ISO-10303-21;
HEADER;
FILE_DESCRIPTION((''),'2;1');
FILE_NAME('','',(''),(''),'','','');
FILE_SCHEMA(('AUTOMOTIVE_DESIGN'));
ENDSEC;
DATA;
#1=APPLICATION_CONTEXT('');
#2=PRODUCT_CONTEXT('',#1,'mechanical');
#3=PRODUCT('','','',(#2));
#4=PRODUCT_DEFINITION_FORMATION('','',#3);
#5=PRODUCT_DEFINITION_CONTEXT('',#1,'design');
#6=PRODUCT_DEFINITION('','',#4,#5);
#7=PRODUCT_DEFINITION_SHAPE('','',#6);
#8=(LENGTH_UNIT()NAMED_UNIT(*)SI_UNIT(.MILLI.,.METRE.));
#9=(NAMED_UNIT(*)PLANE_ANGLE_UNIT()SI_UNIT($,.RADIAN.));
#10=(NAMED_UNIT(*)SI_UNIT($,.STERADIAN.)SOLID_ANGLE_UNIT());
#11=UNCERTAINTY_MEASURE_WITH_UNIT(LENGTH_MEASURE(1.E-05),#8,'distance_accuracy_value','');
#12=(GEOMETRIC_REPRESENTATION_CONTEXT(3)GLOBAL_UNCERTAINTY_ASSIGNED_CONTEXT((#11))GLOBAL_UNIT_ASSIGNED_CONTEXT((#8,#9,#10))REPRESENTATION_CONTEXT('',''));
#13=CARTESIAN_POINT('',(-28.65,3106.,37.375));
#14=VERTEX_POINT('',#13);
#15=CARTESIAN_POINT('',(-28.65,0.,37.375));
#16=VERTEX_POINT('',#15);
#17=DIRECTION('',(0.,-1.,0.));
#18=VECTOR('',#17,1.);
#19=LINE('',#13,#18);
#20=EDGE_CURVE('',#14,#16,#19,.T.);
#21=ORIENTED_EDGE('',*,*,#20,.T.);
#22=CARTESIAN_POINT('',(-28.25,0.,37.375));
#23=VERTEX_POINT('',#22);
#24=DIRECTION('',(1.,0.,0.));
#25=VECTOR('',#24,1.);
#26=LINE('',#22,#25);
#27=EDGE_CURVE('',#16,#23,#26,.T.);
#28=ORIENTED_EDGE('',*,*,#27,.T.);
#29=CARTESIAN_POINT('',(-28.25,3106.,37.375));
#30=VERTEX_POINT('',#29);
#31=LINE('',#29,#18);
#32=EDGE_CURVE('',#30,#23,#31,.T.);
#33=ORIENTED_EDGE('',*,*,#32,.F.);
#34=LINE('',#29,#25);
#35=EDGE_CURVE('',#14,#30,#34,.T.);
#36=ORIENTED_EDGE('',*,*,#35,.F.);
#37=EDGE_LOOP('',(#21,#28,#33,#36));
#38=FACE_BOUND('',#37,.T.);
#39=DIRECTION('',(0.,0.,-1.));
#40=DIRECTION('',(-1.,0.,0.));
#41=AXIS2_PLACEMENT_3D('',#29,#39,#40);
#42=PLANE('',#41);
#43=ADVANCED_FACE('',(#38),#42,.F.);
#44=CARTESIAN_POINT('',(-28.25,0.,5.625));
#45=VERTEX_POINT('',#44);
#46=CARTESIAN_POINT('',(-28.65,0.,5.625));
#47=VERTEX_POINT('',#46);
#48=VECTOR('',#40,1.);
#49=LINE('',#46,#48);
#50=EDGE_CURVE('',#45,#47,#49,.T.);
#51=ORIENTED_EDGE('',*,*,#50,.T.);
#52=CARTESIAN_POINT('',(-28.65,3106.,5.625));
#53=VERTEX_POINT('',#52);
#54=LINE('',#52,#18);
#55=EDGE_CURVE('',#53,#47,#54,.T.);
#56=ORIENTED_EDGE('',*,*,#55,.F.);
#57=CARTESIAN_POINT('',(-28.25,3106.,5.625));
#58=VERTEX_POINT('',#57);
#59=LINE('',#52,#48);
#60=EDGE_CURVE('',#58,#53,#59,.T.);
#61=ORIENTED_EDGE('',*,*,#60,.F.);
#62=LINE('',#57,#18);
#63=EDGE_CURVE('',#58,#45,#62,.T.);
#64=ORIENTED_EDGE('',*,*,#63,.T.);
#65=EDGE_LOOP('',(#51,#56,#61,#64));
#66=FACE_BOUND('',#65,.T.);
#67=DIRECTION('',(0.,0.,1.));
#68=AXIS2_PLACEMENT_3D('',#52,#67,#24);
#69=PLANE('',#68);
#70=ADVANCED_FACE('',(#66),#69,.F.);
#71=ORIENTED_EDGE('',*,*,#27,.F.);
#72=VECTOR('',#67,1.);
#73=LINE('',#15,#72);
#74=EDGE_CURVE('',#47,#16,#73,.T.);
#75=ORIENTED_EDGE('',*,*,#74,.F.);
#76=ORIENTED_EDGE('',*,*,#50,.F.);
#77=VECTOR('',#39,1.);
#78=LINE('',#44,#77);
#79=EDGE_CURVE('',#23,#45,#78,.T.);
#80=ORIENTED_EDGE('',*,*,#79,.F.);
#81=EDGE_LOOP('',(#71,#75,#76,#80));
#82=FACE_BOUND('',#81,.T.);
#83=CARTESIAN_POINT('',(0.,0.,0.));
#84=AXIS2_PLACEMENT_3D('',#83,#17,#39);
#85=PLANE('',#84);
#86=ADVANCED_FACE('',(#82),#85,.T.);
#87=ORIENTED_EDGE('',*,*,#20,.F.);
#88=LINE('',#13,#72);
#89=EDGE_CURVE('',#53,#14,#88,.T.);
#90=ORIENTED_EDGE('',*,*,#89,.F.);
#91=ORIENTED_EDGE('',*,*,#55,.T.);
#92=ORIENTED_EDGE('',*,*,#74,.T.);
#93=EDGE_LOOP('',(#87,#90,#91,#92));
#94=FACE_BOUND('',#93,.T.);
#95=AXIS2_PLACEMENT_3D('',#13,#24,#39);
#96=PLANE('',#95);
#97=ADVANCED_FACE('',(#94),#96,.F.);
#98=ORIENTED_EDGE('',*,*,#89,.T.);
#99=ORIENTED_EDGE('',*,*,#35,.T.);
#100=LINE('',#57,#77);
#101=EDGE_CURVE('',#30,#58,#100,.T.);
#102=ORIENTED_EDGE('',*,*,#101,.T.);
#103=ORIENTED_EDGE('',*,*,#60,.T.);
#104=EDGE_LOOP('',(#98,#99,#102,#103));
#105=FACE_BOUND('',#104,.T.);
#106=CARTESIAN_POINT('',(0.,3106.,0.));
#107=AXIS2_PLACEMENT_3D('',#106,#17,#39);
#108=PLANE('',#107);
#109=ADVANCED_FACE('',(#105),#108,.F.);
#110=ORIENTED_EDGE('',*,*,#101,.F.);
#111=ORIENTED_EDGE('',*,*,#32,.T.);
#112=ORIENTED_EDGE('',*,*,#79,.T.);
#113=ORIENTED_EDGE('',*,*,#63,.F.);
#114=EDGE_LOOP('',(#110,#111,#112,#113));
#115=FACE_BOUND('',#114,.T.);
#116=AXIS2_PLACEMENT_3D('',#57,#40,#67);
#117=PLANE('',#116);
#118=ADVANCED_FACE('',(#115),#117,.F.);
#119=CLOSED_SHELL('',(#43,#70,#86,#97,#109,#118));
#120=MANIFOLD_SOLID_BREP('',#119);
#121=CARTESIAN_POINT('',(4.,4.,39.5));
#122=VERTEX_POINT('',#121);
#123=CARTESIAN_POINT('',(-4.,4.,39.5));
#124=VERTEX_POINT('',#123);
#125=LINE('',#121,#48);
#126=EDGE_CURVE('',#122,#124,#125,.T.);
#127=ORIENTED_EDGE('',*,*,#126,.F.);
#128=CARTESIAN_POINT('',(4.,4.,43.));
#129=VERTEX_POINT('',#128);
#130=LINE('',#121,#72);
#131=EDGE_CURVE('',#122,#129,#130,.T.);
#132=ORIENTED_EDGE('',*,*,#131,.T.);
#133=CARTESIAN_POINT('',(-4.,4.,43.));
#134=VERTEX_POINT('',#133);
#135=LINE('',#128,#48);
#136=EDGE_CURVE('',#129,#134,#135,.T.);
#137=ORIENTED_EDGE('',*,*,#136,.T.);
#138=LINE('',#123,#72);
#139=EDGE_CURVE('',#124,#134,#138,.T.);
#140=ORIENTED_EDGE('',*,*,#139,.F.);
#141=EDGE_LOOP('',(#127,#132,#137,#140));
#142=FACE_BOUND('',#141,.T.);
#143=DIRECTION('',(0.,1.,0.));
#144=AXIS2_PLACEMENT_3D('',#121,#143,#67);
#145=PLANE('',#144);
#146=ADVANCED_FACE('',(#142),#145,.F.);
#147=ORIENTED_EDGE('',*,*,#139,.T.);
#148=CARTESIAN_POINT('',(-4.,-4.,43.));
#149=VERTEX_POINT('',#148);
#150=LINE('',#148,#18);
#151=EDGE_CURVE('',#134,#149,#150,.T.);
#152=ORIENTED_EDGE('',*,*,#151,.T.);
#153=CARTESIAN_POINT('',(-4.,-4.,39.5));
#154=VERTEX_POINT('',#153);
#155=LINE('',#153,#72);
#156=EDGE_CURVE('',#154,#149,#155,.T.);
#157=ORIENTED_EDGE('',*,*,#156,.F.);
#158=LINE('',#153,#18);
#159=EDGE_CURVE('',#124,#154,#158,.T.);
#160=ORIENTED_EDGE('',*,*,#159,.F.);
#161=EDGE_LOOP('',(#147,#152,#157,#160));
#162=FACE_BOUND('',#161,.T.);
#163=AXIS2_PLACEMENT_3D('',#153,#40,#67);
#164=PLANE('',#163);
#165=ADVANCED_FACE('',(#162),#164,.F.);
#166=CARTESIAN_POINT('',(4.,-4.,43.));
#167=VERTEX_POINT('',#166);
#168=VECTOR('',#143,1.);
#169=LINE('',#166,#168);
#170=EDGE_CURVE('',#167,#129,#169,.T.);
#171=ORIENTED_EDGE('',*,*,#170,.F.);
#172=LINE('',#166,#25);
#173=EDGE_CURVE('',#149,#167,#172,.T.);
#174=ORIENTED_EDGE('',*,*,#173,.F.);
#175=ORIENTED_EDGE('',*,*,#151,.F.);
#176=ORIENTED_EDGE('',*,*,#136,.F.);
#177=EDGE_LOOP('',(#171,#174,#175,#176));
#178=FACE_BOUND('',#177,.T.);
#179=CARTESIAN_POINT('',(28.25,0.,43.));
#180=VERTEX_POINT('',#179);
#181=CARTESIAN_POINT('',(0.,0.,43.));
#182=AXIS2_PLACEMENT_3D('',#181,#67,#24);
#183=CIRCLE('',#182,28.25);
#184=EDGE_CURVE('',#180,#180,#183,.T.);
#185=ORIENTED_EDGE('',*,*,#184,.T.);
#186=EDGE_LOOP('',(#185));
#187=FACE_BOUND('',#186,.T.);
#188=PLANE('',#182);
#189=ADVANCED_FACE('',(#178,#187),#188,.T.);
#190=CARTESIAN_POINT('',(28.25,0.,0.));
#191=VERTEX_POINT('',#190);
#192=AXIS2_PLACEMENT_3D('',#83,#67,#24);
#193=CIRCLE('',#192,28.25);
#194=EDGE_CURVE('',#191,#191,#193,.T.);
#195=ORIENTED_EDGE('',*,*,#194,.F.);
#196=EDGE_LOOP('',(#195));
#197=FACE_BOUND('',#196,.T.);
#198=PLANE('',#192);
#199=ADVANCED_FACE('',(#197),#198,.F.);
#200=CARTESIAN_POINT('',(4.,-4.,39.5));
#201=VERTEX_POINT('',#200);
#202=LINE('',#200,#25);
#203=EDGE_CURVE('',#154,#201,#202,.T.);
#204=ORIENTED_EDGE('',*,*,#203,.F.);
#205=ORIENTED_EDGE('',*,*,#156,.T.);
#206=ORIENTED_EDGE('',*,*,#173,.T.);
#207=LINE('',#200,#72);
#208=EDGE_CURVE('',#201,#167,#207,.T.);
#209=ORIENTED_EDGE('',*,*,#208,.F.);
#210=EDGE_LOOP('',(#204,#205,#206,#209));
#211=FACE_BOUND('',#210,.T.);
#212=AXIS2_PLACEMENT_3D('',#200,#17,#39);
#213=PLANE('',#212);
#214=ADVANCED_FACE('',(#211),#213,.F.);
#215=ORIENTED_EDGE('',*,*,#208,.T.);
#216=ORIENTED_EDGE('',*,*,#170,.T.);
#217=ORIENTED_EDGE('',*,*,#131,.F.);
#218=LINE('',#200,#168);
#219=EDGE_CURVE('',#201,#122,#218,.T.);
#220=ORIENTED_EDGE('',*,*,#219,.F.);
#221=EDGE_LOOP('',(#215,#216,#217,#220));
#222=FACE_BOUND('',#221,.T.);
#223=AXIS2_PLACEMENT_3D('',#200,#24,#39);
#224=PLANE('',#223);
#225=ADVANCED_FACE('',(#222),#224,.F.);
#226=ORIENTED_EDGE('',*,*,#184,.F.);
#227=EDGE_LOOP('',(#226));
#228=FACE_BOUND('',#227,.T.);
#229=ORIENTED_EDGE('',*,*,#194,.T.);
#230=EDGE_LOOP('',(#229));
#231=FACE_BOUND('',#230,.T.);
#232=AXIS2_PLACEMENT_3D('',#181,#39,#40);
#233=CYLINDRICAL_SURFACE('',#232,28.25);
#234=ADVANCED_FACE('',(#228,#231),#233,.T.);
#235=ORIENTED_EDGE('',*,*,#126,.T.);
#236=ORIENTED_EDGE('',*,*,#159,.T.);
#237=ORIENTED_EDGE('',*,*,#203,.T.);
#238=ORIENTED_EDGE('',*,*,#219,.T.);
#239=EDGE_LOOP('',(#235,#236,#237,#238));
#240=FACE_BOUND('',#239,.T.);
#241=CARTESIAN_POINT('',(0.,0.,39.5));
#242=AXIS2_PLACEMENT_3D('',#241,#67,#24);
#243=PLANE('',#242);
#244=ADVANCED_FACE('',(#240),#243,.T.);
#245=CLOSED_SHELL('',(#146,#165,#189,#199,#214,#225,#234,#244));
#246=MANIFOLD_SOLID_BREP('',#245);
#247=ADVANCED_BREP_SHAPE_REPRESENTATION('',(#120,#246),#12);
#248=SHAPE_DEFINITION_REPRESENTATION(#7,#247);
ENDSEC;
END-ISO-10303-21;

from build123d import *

# Parameters (mm, degrees)
SKETCH1_R           = 28.25
BOSS_EXTRUDE1_DEPTH = 43
SKETCH4_W           = 0.4
SKETCH4_H           = 31.75
BOSS_EXTRUDE2_DEPTH = 3106
SKETCH6_W           = 8
SKETCH6_H           = 8
CUT_EXTRUDE1_DEPTH  = 3.5


with BuildPart() as part:
    # Sketch1 → Boss-Extrude1 (new body)
    with BuildSketch(Plane.XY):
        Circle(SKETCH1_R)
    extrude(amount=BOSS_EXTRUDE1_DEPTH)

    # Sketch6 → Cut-Extrude1 (cut)
    with BuildSketch(Plane.XY.offset(43)):
        Rectangle(SKETCH6_W, SKETCH6_H)
    extrude(amount=-CUT_EXTRUDE1_DEPTH, mode=Mode.SUBTRACT)


with BuildPart() as body_2:
    # Sketch4 → Boss-Extrude2 (new body)
    with BuildSketch(Plane(origin=(0, 0, 0), x_dir=(1, 0, 0), z_dir=(0, 1, 0))):
        with Locations((-28.45, -21.5)):
            Rectangle(SKETCH4_W, SKETCH4_H)
    extrude(amount=BOSS_EXTRUDE2_DEPTH)


solid = Compound([part.part, body_2.part])
